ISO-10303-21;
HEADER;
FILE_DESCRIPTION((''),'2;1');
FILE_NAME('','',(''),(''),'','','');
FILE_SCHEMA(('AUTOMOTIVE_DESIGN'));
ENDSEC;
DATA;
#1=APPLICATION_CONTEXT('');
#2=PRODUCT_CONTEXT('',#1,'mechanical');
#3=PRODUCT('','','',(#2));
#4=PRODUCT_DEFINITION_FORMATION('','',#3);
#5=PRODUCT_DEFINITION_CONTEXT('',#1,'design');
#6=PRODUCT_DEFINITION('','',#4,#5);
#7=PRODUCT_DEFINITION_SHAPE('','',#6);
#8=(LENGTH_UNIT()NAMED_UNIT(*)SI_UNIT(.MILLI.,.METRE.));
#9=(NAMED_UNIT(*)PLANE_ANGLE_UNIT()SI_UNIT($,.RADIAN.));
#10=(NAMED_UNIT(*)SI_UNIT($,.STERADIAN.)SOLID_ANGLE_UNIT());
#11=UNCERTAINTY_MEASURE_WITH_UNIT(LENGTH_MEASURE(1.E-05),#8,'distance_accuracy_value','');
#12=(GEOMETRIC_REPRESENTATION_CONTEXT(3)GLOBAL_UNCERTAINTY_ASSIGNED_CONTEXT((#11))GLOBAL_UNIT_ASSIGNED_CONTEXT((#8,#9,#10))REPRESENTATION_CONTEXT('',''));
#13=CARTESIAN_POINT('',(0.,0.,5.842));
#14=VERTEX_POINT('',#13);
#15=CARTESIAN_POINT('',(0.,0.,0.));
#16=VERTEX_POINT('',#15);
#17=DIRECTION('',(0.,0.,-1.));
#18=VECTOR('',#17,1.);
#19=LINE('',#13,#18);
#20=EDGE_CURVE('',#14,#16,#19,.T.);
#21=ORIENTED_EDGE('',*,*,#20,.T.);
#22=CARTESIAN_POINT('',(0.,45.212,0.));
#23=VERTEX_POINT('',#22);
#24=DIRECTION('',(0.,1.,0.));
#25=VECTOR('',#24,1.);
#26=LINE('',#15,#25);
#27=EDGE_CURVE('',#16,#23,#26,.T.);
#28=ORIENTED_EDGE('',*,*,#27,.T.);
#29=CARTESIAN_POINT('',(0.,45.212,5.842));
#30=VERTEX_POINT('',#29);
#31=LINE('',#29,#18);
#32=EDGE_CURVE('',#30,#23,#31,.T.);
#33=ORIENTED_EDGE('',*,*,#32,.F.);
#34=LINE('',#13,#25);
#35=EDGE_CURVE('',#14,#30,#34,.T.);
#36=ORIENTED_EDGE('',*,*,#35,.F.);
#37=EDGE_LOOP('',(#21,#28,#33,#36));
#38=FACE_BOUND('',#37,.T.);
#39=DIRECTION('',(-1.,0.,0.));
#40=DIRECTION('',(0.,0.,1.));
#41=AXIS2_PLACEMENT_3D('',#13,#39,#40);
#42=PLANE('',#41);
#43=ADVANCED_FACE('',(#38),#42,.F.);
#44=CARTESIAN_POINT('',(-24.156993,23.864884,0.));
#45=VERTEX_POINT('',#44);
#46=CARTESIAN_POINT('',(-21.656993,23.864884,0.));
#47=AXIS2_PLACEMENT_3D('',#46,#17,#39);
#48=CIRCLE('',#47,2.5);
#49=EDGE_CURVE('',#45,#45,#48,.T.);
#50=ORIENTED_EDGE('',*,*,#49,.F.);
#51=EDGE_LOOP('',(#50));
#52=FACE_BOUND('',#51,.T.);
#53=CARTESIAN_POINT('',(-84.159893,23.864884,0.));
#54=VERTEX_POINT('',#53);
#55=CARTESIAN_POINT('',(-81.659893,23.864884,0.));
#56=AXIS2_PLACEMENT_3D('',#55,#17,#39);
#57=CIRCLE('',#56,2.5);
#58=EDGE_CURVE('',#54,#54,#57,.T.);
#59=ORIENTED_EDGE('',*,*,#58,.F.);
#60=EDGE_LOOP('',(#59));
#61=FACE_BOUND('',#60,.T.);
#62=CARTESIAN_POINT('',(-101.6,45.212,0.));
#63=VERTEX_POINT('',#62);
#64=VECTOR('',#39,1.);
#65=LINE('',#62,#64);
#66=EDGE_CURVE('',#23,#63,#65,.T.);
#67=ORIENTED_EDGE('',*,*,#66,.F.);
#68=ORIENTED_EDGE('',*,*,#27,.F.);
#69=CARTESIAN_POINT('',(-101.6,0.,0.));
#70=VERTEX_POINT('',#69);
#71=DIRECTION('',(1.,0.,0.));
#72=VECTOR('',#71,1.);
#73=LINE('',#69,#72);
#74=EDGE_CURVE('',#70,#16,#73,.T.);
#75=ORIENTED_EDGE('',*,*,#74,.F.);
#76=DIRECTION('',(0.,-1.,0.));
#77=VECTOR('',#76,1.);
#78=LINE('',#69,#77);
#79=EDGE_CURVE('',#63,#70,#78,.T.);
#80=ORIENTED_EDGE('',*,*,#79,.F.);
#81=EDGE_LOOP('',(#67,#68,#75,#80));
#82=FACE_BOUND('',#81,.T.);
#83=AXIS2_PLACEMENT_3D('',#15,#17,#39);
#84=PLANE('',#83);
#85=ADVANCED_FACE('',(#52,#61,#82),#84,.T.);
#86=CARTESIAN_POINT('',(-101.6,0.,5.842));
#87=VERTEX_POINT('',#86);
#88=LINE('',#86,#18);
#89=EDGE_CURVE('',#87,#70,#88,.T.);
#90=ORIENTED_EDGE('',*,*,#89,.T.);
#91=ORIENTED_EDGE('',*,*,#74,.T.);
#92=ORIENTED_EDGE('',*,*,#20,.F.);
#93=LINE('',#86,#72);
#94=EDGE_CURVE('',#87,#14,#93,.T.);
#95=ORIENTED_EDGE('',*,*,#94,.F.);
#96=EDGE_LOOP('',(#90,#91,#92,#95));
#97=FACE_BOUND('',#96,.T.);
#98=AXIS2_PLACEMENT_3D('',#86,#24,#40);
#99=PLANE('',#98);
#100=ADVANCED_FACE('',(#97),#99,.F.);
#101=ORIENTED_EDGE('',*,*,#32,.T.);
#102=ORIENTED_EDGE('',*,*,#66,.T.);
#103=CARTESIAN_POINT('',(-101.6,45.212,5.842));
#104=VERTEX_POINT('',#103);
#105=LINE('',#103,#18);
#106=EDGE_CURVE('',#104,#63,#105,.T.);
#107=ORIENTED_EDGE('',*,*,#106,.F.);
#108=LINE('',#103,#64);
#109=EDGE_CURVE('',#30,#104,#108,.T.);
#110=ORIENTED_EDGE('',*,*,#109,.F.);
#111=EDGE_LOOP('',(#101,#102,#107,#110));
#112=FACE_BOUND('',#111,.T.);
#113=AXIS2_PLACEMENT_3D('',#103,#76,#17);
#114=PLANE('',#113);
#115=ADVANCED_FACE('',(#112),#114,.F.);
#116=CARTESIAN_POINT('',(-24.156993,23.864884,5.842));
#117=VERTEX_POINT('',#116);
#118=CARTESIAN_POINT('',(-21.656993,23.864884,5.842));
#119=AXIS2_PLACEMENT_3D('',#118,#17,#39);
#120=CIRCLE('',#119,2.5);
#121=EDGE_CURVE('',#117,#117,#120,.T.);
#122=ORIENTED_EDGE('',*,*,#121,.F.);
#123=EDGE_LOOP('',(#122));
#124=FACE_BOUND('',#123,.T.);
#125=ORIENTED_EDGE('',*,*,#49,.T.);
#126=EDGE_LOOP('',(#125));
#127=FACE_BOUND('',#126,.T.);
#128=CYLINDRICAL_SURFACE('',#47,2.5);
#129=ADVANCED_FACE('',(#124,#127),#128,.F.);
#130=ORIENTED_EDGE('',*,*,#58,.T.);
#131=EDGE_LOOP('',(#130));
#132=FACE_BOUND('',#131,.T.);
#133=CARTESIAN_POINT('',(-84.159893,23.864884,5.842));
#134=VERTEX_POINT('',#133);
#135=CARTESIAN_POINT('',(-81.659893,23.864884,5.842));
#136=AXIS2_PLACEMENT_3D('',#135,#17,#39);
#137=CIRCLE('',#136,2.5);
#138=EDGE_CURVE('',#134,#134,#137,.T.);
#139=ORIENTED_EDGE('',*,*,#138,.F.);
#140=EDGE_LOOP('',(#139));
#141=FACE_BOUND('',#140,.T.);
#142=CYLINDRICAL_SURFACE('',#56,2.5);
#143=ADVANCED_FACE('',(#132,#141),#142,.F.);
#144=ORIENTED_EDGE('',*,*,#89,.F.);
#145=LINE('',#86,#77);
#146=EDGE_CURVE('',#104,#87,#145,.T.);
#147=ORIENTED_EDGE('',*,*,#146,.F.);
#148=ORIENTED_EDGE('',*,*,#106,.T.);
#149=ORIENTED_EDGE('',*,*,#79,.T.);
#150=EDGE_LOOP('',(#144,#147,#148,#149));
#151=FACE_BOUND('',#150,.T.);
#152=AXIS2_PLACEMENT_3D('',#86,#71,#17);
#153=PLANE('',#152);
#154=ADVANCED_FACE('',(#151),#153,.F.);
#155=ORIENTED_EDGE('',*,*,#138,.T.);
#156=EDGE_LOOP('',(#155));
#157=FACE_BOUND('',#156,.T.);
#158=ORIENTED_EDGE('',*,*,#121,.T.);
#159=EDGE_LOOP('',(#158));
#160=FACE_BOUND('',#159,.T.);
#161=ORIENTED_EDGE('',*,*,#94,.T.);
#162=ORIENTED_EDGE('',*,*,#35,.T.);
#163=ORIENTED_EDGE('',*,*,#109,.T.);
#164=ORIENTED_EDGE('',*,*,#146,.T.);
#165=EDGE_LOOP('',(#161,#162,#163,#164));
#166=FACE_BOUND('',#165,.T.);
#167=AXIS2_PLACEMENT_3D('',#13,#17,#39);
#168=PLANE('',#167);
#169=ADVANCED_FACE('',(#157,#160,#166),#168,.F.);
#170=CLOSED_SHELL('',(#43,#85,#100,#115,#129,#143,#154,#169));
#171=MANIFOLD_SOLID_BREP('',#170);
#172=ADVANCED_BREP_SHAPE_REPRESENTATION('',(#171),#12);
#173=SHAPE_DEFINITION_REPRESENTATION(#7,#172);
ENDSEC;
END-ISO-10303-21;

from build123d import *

# Parameters (mm, degrees)
SKETCH1_W                 = 101.6
SKETCH1_H                 = 45.212
BOSS_EXTRUDE1_DEPTH       = 5.842
M6X1_0_TAPPED_HOLE1_D     = 5
M6X1_0_TAPPED_HOLE1_DEPTH = 14.986
M6X1_0_TAPPED_HOLE1_TIP   = 1.502151548


with BuildPart() as part:
    # Sketch1 → Boss-Extrude1 (new body)
    with BuildSketch(Plane.XY):
        with Locations((-50.8, 22.606)):
            Rectangle(SKETCH1_W, SKETCH1_H)
    extrude(amount=BOSS_EXTRUDE1_DEPTH)

    # M6x1.0 Tapped Hole1
    with Locations(Plane(origin=(-50.8, -38.1, 0), x_dir=(-1, 0, 0), z_dir=(0, 0, -1))):
        with Locations((-29.14300736, 61.964884424), (30.859893074, 61.964884424)):
            Hole(M6X1_0_TAPPED_HOLE1_D / 2, depth=M6X1_0_TAPPED_HOLE1_DEPTH)
            with Locations((0, 0, -(M6X1_0_TAPPED_HOLE1_DEPTH + M6X1_0_TAPPED_HOLE1_TIP / 2))):  # 118° drill point
                Cone(0, M6X1_0_TAPPED_HOLE1_D / 2, M6X1_0_TAPPED_HOLE1_TIP, mode=Mode.SUBTRACT)


solid = part.part
